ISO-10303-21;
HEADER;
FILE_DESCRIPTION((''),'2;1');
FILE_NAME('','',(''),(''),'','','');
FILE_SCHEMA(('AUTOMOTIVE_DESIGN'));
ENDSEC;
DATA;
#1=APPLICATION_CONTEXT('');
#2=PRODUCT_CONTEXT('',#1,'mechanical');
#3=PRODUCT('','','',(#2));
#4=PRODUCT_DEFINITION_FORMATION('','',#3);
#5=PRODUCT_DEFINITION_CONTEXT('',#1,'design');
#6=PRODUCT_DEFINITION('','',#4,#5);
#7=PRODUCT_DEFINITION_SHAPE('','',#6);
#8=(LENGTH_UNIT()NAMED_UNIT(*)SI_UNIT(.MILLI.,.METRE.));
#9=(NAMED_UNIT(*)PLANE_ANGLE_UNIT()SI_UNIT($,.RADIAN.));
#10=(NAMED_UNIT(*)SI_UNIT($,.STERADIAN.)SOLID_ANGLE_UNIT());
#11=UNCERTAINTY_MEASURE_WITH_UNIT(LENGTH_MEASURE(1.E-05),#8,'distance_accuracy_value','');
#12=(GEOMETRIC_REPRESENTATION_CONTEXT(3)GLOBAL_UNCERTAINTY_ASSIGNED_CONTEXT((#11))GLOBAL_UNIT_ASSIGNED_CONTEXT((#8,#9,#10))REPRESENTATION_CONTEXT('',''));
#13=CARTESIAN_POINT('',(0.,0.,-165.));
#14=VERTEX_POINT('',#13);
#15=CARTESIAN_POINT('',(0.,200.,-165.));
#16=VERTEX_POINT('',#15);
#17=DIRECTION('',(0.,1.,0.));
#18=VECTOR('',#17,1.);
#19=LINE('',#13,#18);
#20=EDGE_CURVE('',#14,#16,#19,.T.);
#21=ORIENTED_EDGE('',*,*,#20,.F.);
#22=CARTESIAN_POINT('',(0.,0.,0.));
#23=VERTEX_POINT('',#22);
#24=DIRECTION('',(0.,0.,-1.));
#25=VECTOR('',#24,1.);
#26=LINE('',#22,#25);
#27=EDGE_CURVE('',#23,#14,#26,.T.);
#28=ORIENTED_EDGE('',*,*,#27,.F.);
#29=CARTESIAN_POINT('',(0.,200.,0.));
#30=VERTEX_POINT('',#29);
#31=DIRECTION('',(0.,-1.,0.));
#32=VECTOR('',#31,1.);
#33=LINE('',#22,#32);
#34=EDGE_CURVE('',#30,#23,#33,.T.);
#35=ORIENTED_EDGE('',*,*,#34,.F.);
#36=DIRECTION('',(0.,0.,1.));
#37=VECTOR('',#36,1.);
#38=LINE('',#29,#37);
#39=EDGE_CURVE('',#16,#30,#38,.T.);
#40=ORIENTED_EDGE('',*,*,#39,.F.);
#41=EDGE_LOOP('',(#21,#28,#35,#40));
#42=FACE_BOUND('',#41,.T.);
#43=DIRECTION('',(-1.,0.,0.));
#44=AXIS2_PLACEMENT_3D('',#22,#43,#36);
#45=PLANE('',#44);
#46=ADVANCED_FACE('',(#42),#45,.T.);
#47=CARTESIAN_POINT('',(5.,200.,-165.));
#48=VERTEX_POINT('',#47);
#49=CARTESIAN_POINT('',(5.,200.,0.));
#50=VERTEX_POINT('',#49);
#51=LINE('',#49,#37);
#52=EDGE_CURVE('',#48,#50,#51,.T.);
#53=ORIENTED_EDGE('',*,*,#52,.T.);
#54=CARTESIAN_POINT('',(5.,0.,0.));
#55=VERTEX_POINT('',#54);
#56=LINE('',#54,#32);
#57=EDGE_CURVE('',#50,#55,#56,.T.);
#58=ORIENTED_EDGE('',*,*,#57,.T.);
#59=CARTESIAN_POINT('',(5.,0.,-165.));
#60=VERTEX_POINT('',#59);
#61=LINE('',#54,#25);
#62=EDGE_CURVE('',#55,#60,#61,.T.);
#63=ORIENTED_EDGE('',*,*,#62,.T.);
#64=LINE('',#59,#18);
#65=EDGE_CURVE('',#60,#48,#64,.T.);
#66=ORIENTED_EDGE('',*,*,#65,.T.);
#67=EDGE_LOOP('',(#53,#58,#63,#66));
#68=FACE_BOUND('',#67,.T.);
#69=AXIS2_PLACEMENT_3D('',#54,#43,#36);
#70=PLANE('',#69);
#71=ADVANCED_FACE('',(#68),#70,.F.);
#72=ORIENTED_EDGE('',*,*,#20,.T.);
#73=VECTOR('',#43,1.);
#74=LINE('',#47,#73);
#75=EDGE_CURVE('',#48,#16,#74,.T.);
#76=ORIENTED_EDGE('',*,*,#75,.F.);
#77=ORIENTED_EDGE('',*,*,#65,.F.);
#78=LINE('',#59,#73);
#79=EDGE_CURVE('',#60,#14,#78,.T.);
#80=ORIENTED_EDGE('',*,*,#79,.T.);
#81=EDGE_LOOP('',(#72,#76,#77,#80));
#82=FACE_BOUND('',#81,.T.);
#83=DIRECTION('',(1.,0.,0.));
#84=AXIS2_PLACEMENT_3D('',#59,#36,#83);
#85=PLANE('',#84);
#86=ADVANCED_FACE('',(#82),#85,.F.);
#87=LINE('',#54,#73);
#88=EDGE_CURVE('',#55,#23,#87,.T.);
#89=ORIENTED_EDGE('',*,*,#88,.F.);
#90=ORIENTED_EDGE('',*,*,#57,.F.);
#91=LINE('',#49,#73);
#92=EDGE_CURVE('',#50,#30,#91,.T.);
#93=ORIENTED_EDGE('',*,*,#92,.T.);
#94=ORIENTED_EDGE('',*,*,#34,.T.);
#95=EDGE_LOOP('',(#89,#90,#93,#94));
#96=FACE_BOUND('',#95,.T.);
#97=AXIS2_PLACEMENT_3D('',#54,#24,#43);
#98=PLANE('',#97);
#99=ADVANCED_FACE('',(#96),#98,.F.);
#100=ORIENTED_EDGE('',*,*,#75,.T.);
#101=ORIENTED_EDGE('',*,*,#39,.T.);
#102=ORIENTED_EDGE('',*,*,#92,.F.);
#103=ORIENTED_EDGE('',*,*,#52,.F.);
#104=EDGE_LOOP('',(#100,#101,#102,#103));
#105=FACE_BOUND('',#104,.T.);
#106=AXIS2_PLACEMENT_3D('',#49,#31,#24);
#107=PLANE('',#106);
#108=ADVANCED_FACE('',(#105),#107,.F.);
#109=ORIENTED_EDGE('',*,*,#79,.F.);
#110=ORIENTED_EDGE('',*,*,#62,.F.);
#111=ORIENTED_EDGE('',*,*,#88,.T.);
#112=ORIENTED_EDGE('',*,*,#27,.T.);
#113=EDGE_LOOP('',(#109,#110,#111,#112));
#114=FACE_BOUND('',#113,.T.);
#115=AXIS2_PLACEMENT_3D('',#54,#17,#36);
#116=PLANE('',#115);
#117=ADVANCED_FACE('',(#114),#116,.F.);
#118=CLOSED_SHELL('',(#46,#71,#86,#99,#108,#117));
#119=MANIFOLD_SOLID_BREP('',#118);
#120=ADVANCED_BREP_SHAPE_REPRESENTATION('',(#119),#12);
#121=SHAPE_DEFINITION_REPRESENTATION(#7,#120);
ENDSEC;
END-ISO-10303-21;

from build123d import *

# Parameters (mm, degrees)
SKETCH_1_W      = 165
SKETCH_1_H      = 200
EXTRUDE_1_DEPTH = 5


with BuildPart() as part:
    # 스케치1 → 보스-돌출1 (new body)
    with BuildSketch(Plane(origin=(0, 0, 0), x_dir=(0, 0, -1), z_dir=(1, 0, 0))):
        with Locations((82.5, 100)):
            Rectangle(SKETCH_1_W, SKETCH_1_H)
    extrude(amount=EXTRUDE_1_DEPTH)


solid = part.part
